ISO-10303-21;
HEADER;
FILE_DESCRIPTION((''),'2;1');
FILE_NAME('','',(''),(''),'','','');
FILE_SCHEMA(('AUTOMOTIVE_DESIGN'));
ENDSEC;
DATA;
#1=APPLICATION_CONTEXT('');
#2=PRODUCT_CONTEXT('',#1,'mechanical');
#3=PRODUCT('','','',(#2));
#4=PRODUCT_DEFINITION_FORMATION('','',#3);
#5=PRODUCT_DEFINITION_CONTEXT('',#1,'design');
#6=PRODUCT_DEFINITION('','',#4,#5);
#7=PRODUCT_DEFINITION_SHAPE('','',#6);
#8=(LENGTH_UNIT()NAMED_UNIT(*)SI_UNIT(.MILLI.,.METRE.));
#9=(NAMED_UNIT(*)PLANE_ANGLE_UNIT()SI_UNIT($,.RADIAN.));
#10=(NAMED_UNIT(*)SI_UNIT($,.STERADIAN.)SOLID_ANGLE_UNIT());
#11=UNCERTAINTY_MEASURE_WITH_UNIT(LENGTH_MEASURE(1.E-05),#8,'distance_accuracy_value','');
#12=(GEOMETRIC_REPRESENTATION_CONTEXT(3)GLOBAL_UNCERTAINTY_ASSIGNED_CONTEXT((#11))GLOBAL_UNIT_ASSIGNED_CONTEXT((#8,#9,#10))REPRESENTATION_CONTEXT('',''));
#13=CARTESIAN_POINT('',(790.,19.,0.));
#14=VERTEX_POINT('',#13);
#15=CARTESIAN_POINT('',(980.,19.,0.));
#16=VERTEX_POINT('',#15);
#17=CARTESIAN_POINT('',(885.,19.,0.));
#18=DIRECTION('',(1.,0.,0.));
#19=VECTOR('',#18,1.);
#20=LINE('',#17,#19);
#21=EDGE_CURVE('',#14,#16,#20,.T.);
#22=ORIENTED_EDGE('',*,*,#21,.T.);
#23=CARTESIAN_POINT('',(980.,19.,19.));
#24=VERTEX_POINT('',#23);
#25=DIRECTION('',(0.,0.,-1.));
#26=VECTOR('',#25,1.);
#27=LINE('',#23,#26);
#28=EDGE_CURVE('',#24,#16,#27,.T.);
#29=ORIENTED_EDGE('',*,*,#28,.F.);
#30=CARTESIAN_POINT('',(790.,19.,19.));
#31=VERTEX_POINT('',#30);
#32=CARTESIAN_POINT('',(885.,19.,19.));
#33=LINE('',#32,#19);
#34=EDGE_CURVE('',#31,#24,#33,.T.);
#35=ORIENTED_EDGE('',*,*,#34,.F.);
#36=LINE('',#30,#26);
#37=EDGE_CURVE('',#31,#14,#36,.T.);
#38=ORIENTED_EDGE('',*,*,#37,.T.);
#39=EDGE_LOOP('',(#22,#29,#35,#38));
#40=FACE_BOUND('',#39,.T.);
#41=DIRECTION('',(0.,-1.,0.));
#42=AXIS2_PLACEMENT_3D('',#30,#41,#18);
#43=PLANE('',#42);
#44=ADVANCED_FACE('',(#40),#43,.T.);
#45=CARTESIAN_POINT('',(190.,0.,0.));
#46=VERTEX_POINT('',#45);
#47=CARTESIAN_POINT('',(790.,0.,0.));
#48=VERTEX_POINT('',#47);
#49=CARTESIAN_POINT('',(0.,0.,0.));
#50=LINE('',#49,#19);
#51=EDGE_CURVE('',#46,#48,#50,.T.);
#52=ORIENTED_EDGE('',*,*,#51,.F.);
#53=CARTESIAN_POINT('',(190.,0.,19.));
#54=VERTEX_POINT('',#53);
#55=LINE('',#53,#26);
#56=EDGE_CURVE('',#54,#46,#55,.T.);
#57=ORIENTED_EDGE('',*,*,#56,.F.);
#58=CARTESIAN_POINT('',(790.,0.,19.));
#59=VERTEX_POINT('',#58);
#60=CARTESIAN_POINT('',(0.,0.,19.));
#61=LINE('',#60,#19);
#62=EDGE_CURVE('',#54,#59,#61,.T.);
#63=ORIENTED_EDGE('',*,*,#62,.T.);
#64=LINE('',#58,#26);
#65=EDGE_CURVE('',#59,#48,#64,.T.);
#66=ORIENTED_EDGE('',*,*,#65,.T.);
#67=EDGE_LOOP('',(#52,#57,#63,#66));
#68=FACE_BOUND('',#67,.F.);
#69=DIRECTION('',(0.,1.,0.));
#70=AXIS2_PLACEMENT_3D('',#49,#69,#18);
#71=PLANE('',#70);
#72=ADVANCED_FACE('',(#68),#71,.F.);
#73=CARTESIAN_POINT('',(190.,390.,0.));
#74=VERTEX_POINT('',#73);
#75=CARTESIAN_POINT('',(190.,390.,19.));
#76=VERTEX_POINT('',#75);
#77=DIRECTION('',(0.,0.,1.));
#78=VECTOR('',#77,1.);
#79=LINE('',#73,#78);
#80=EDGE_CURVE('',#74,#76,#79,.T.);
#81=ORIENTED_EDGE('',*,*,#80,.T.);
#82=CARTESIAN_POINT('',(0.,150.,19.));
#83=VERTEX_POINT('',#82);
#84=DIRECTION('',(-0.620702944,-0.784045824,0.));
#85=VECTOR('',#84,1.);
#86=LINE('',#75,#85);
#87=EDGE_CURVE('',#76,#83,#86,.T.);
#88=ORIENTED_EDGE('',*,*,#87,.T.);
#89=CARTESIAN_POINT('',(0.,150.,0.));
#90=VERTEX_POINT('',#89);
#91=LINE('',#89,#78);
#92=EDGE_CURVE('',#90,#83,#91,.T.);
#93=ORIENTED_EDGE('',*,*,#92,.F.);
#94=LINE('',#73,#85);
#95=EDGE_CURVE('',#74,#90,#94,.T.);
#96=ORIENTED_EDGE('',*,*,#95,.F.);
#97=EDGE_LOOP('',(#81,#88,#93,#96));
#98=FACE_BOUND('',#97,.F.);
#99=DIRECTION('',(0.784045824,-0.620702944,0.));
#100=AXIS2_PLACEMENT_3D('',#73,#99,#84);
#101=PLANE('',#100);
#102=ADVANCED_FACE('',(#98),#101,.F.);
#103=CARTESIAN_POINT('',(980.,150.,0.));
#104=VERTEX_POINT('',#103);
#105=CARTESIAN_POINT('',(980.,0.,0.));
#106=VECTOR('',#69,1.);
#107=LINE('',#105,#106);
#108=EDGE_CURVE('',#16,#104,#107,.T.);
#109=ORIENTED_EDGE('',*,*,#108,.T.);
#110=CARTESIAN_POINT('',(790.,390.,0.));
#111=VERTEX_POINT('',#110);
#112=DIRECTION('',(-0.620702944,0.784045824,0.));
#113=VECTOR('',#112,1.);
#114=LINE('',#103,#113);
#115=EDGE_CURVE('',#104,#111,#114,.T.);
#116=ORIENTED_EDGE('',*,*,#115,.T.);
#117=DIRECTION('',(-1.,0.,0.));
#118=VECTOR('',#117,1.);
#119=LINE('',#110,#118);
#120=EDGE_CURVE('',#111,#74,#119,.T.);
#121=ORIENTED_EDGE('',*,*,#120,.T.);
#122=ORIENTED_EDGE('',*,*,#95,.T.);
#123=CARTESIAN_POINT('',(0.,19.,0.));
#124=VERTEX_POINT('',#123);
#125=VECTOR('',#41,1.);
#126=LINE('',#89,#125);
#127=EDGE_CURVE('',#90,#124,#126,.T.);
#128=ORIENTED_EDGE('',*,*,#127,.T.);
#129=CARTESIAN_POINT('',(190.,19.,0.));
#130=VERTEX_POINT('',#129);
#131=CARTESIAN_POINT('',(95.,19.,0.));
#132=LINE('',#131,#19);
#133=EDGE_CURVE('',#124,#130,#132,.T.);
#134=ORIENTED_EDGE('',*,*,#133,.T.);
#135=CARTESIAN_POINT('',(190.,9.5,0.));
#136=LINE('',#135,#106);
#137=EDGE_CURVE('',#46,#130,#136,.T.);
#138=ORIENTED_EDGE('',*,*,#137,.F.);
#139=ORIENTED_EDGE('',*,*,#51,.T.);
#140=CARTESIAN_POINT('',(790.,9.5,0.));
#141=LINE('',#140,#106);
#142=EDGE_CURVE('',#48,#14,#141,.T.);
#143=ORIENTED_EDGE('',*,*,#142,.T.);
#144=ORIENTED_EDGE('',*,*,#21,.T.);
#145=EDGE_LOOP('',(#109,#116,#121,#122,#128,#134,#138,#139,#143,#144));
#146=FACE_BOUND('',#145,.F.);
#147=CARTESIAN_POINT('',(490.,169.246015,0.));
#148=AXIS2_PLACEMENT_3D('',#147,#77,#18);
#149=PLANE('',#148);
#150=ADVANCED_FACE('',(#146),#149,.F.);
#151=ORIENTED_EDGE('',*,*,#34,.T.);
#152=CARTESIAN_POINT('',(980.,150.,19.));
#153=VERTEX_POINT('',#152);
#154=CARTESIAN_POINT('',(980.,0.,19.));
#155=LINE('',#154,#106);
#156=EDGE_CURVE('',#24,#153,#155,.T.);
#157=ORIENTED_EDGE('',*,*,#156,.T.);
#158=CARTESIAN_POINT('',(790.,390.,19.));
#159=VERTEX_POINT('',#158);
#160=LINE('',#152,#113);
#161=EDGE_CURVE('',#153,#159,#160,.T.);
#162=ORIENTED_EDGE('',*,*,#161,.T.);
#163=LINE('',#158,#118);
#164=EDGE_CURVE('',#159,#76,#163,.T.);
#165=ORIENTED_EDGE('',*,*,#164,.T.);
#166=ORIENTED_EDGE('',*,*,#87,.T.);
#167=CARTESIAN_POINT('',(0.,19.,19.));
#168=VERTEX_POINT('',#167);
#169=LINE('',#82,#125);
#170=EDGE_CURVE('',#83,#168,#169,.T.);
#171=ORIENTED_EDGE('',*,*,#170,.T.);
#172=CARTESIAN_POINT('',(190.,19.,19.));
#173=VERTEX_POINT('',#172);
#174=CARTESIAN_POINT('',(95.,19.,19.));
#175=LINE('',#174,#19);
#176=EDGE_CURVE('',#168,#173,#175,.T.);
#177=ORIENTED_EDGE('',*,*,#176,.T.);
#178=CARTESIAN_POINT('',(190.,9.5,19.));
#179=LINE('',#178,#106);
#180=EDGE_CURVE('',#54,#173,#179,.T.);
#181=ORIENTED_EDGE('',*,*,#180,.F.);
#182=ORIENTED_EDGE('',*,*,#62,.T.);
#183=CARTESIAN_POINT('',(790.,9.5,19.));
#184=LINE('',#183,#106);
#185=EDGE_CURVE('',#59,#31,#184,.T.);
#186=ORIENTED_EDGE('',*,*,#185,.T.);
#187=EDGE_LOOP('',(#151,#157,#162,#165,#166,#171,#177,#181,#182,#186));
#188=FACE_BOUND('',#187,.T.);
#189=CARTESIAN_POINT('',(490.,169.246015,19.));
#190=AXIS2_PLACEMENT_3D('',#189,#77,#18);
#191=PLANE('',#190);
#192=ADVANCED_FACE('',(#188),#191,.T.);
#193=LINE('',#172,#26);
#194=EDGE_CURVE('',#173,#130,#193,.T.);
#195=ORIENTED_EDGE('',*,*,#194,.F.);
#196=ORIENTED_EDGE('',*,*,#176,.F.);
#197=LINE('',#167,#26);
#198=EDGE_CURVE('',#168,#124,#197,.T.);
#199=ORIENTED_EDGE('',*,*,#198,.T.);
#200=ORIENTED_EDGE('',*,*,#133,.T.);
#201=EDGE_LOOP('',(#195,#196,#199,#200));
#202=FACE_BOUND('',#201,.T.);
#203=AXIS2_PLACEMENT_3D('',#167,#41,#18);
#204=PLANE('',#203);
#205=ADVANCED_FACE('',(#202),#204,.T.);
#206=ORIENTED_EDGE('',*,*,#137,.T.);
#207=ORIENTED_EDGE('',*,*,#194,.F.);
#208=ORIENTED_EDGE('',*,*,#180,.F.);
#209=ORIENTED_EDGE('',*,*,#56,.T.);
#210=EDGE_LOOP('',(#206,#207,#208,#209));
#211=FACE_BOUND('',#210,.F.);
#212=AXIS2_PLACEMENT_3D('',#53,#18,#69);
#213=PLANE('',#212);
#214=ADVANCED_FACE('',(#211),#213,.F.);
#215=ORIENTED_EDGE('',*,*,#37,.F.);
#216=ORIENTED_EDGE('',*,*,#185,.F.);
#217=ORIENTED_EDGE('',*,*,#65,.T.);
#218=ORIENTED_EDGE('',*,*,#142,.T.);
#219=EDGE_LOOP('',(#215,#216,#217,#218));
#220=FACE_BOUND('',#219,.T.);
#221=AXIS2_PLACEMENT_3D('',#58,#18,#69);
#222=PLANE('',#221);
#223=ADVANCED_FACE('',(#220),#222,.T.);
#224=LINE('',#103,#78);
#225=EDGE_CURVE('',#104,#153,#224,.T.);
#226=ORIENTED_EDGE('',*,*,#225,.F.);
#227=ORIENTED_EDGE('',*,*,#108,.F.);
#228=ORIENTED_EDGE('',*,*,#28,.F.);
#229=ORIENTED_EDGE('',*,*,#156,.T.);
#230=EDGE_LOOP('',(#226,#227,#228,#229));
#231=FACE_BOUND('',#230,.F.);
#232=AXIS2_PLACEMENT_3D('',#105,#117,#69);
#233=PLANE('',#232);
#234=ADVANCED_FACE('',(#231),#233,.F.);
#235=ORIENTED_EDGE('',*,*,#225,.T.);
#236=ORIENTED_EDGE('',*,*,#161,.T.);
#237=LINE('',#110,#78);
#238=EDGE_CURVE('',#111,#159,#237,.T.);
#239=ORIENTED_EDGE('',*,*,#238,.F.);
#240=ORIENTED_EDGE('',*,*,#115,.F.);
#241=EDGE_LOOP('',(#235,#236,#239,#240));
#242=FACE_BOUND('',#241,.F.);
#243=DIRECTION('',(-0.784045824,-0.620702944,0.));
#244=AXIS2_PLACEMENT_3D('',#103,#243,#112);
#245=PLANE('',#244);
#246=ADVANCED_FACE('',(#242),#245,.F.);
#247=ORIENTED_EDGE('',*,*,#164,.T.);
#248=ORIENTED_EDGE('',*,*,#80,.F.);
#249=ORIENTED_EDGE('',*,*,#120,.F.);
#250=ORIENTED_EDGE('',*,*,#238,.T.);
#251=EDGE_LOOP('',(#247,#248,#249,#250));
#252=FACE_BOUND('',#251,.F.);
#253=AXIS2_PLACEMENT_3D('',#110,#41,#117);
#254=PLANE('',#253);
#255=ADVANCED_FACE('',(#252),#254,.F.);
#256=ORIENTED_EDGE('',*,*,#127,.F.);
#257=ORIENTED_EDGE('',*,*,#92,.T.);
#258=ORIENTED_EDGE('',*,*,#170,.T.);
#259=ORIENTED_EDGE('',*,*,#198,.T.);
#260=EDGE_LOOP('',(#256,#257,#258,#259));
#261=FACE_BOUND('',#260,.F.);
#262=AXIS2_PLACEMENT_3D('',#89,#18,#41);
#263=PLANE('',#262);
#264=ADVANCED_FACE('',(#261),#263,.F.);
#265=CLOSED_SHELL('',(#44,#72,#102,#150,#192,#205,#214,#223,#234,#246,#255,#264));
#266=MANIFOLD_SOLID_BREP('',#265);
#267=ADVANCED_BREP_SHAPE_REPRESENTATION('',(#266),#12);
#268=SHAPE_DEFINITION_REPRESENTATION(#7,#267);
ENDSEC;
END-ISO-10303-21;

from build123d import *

# Parameters (mm, degrees)
F1_DEPTH = 19
F2_W     = 190
F2_H     = 19
F3_DEPTH = 19
F4_W     = 190
F4_H     = 19
F5_DEPTH = 19


with BuildPart() as f1:
    # F0 (on Top) → F1 (new body)
    with BuildSketch(Plane.XY):
        Polygon((0, 150), (0, 0), (980, 0), (980, 150), (790, 390), (190, 390), align=None)
    extrude(amount=F1_DEPTH)

    # F2 (on face) → F3 (cut)
    with BuildSketch(Plane.XY.offset(19)):
        with Locations((95, 9.5)):
            Rectangle(F2_W, F2_H)
    extrude(amount=-F3_DEPTH, mode=Mode.SUBTRACT)

    # F4 (on face) → F5 (cut)
    with BuildSketch(Plane.XY.offset(19)):
        with Locations((885, 9.5)):
            Rectangle(F4_W, F4_H)
    extrude(amount=-F5_DEPTH, mode=Mode.SUBTRACT)


solid = f1.part
